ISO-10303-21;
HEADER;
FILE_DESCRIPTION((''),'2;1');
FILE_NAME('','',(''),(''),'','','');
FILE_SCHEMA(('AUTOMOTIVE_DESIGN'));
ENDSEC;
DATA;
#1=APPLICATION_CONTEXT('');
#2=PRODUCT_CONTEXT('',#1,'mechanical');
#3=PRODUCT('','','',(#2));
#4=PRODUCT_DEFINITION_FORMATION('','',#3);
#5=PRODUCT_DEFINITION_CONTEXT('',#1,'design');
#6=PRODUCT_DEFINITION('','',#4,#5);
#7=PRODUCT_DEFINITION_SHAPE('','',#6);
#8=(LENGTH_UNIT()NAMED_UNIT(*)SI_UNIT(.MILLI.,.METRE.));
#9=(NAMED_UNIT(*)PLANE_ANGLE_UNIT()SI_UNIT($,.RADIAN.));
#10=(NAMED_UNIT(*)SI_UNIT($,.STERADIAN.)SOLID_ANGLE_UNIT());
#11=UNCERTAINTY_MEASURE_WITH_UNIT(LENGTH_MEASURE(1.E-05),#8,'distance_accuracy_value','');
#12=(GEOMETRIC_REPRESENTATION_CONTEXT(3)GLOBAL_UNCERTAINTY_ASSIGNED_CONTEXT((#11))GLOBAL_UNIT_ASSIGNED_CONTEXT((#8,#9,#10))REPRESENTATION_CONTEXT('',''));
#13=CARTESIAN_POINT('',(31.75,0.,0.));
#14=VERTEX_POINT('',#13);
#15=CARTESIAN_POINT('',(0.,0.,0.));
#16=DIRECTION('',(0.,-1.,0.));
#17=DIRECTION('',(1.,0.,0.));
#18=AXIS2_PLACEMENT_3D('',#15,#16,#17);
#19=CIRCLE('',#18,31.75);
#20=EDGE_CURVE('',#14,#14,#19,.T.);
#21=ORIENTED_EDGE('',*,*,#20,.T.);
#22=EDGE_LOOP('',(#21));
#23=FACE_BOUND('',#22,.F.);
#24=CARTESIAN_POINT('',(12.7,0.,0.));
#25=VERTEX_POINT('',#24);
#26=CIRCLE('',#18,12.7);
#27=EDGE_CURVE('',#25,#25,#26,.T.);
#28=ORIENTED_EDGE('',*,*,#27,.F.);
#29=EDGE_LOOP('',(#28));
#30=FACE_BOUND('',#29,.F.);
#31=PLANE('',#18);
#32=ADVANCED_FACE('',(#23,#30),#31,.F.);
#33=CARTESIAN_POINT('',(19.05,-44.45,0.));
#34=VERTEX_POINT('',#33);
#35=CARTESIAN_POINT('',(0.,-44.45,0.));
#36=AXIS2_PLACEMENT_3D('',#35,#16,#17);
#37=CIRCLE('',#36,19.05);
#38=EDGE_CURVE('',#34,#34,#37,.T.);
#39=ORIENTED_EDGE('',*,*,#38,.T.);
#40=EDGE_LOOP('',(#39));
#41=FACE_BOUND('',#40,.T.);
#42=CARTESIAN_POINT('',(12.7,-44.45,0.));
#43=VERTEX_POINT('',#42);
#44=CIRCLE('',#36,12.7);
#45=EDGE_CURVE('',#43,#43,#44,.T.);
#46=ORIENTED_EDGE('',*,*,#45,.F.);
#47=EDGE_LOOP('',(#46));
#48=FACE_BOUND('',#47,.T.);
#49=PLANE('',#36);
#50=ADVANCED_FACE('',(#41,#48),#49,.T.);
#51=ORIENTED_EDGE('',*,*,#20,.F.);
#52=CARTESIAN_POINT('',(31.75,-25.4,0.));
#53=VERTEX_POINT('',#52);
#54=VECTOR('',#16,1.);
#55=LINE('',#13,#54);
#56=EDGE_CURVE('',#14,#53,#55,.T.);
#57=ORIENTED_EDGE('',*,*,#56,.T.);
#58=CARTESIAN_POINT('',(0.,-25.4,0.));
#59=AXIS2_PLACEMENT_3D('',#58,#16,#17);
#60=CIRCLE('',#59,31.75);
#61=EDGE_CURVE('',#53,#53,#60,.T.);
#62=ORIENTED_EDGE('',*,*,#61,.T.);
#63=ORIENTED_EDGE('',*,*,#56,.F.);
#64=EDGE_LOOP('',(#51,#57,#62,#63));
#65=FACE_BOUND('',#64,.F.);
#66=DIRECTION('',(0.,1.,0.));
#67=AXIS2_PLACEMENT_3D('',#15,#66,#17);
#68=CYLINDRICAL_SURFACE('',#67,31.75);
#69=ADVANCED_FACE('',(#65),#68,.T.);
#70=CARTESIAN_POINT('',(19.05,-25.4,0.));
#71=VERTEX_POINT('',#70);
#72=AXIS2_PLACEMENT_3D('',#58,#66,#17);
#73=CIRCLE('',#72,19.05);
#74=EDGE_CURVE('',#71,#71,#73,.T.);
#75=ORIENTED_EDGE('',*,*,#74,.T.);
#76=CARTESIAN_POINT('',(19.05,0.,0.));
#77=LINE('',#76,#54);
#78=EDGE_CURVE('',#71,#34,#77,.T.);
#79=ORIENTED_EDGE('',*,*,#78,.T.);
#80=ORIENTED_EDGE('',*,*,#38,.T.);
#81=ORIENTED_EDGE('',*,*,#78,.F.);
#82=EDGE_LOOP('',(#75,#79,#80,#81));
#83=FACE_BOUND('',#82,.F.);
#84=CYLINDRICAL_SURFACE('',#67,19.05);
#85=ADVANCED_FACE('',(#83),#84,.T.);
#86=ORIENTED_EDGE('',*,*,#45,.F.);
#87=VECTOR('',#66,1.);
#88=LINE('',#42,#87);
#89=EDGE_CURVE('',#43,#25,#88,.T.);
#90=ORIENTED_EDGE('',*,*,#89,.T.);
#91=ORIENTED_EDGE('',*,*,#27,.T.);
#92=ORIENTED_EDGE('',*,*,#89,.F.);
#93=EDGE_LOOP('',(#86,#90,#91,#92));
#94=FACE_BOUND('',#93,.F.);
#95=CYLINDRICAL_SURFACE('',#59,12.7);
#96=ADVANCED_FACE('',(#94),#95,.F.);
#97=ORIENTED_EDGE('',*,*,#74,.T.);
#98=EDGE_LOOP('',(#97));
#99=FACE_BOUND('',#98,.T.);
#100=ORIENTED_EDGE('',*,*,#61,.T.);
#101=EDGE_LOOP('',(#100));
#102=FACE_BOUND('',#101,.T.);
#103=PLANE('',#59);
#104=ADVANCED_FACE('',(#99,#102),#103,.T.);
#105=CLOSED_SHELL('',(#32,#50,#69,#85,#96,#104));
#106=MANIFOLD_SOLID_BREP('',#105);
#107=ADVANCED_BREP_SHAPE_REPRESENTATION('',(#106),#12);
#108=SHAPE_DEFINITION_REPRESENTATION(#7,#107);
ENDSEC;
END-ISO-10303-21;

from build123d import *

# Parameters (mm, degrees)
F1_R      = 19.05
F1_R_2    = 12.7
F2_DEPTH  = 44.45
F0_R      = 31.75
F3_DEPTH  = 25.4
F3_FACE_R = 12.7
F4_DEPTH  = 25.4


with BuildPart() as f2:
    # F1 (on Front) → F2 (new body)
    with BuildSketch(Plane.XZ):
        Circle(F1_R)
        Circle(F1_R_2, mode=Mode.SUBTRACT)
    extrude(amount=F2_DEPTH)

    # F0 (on Front) → F3 (join)
    with BuildSketch(Plane.XZ):
        Circle(F0_R)
    extrude(amount=F3_DEPTH)

    # F3_face (on face) → F4 (cut)
    with BuildSketch(Plane.XZ.offset(25.4)):
        Circle(F3_FACE_R)
    extrude(amount=-F4_DEPTH, mode=Mode.SUBTRACT)


solid = f2.part
